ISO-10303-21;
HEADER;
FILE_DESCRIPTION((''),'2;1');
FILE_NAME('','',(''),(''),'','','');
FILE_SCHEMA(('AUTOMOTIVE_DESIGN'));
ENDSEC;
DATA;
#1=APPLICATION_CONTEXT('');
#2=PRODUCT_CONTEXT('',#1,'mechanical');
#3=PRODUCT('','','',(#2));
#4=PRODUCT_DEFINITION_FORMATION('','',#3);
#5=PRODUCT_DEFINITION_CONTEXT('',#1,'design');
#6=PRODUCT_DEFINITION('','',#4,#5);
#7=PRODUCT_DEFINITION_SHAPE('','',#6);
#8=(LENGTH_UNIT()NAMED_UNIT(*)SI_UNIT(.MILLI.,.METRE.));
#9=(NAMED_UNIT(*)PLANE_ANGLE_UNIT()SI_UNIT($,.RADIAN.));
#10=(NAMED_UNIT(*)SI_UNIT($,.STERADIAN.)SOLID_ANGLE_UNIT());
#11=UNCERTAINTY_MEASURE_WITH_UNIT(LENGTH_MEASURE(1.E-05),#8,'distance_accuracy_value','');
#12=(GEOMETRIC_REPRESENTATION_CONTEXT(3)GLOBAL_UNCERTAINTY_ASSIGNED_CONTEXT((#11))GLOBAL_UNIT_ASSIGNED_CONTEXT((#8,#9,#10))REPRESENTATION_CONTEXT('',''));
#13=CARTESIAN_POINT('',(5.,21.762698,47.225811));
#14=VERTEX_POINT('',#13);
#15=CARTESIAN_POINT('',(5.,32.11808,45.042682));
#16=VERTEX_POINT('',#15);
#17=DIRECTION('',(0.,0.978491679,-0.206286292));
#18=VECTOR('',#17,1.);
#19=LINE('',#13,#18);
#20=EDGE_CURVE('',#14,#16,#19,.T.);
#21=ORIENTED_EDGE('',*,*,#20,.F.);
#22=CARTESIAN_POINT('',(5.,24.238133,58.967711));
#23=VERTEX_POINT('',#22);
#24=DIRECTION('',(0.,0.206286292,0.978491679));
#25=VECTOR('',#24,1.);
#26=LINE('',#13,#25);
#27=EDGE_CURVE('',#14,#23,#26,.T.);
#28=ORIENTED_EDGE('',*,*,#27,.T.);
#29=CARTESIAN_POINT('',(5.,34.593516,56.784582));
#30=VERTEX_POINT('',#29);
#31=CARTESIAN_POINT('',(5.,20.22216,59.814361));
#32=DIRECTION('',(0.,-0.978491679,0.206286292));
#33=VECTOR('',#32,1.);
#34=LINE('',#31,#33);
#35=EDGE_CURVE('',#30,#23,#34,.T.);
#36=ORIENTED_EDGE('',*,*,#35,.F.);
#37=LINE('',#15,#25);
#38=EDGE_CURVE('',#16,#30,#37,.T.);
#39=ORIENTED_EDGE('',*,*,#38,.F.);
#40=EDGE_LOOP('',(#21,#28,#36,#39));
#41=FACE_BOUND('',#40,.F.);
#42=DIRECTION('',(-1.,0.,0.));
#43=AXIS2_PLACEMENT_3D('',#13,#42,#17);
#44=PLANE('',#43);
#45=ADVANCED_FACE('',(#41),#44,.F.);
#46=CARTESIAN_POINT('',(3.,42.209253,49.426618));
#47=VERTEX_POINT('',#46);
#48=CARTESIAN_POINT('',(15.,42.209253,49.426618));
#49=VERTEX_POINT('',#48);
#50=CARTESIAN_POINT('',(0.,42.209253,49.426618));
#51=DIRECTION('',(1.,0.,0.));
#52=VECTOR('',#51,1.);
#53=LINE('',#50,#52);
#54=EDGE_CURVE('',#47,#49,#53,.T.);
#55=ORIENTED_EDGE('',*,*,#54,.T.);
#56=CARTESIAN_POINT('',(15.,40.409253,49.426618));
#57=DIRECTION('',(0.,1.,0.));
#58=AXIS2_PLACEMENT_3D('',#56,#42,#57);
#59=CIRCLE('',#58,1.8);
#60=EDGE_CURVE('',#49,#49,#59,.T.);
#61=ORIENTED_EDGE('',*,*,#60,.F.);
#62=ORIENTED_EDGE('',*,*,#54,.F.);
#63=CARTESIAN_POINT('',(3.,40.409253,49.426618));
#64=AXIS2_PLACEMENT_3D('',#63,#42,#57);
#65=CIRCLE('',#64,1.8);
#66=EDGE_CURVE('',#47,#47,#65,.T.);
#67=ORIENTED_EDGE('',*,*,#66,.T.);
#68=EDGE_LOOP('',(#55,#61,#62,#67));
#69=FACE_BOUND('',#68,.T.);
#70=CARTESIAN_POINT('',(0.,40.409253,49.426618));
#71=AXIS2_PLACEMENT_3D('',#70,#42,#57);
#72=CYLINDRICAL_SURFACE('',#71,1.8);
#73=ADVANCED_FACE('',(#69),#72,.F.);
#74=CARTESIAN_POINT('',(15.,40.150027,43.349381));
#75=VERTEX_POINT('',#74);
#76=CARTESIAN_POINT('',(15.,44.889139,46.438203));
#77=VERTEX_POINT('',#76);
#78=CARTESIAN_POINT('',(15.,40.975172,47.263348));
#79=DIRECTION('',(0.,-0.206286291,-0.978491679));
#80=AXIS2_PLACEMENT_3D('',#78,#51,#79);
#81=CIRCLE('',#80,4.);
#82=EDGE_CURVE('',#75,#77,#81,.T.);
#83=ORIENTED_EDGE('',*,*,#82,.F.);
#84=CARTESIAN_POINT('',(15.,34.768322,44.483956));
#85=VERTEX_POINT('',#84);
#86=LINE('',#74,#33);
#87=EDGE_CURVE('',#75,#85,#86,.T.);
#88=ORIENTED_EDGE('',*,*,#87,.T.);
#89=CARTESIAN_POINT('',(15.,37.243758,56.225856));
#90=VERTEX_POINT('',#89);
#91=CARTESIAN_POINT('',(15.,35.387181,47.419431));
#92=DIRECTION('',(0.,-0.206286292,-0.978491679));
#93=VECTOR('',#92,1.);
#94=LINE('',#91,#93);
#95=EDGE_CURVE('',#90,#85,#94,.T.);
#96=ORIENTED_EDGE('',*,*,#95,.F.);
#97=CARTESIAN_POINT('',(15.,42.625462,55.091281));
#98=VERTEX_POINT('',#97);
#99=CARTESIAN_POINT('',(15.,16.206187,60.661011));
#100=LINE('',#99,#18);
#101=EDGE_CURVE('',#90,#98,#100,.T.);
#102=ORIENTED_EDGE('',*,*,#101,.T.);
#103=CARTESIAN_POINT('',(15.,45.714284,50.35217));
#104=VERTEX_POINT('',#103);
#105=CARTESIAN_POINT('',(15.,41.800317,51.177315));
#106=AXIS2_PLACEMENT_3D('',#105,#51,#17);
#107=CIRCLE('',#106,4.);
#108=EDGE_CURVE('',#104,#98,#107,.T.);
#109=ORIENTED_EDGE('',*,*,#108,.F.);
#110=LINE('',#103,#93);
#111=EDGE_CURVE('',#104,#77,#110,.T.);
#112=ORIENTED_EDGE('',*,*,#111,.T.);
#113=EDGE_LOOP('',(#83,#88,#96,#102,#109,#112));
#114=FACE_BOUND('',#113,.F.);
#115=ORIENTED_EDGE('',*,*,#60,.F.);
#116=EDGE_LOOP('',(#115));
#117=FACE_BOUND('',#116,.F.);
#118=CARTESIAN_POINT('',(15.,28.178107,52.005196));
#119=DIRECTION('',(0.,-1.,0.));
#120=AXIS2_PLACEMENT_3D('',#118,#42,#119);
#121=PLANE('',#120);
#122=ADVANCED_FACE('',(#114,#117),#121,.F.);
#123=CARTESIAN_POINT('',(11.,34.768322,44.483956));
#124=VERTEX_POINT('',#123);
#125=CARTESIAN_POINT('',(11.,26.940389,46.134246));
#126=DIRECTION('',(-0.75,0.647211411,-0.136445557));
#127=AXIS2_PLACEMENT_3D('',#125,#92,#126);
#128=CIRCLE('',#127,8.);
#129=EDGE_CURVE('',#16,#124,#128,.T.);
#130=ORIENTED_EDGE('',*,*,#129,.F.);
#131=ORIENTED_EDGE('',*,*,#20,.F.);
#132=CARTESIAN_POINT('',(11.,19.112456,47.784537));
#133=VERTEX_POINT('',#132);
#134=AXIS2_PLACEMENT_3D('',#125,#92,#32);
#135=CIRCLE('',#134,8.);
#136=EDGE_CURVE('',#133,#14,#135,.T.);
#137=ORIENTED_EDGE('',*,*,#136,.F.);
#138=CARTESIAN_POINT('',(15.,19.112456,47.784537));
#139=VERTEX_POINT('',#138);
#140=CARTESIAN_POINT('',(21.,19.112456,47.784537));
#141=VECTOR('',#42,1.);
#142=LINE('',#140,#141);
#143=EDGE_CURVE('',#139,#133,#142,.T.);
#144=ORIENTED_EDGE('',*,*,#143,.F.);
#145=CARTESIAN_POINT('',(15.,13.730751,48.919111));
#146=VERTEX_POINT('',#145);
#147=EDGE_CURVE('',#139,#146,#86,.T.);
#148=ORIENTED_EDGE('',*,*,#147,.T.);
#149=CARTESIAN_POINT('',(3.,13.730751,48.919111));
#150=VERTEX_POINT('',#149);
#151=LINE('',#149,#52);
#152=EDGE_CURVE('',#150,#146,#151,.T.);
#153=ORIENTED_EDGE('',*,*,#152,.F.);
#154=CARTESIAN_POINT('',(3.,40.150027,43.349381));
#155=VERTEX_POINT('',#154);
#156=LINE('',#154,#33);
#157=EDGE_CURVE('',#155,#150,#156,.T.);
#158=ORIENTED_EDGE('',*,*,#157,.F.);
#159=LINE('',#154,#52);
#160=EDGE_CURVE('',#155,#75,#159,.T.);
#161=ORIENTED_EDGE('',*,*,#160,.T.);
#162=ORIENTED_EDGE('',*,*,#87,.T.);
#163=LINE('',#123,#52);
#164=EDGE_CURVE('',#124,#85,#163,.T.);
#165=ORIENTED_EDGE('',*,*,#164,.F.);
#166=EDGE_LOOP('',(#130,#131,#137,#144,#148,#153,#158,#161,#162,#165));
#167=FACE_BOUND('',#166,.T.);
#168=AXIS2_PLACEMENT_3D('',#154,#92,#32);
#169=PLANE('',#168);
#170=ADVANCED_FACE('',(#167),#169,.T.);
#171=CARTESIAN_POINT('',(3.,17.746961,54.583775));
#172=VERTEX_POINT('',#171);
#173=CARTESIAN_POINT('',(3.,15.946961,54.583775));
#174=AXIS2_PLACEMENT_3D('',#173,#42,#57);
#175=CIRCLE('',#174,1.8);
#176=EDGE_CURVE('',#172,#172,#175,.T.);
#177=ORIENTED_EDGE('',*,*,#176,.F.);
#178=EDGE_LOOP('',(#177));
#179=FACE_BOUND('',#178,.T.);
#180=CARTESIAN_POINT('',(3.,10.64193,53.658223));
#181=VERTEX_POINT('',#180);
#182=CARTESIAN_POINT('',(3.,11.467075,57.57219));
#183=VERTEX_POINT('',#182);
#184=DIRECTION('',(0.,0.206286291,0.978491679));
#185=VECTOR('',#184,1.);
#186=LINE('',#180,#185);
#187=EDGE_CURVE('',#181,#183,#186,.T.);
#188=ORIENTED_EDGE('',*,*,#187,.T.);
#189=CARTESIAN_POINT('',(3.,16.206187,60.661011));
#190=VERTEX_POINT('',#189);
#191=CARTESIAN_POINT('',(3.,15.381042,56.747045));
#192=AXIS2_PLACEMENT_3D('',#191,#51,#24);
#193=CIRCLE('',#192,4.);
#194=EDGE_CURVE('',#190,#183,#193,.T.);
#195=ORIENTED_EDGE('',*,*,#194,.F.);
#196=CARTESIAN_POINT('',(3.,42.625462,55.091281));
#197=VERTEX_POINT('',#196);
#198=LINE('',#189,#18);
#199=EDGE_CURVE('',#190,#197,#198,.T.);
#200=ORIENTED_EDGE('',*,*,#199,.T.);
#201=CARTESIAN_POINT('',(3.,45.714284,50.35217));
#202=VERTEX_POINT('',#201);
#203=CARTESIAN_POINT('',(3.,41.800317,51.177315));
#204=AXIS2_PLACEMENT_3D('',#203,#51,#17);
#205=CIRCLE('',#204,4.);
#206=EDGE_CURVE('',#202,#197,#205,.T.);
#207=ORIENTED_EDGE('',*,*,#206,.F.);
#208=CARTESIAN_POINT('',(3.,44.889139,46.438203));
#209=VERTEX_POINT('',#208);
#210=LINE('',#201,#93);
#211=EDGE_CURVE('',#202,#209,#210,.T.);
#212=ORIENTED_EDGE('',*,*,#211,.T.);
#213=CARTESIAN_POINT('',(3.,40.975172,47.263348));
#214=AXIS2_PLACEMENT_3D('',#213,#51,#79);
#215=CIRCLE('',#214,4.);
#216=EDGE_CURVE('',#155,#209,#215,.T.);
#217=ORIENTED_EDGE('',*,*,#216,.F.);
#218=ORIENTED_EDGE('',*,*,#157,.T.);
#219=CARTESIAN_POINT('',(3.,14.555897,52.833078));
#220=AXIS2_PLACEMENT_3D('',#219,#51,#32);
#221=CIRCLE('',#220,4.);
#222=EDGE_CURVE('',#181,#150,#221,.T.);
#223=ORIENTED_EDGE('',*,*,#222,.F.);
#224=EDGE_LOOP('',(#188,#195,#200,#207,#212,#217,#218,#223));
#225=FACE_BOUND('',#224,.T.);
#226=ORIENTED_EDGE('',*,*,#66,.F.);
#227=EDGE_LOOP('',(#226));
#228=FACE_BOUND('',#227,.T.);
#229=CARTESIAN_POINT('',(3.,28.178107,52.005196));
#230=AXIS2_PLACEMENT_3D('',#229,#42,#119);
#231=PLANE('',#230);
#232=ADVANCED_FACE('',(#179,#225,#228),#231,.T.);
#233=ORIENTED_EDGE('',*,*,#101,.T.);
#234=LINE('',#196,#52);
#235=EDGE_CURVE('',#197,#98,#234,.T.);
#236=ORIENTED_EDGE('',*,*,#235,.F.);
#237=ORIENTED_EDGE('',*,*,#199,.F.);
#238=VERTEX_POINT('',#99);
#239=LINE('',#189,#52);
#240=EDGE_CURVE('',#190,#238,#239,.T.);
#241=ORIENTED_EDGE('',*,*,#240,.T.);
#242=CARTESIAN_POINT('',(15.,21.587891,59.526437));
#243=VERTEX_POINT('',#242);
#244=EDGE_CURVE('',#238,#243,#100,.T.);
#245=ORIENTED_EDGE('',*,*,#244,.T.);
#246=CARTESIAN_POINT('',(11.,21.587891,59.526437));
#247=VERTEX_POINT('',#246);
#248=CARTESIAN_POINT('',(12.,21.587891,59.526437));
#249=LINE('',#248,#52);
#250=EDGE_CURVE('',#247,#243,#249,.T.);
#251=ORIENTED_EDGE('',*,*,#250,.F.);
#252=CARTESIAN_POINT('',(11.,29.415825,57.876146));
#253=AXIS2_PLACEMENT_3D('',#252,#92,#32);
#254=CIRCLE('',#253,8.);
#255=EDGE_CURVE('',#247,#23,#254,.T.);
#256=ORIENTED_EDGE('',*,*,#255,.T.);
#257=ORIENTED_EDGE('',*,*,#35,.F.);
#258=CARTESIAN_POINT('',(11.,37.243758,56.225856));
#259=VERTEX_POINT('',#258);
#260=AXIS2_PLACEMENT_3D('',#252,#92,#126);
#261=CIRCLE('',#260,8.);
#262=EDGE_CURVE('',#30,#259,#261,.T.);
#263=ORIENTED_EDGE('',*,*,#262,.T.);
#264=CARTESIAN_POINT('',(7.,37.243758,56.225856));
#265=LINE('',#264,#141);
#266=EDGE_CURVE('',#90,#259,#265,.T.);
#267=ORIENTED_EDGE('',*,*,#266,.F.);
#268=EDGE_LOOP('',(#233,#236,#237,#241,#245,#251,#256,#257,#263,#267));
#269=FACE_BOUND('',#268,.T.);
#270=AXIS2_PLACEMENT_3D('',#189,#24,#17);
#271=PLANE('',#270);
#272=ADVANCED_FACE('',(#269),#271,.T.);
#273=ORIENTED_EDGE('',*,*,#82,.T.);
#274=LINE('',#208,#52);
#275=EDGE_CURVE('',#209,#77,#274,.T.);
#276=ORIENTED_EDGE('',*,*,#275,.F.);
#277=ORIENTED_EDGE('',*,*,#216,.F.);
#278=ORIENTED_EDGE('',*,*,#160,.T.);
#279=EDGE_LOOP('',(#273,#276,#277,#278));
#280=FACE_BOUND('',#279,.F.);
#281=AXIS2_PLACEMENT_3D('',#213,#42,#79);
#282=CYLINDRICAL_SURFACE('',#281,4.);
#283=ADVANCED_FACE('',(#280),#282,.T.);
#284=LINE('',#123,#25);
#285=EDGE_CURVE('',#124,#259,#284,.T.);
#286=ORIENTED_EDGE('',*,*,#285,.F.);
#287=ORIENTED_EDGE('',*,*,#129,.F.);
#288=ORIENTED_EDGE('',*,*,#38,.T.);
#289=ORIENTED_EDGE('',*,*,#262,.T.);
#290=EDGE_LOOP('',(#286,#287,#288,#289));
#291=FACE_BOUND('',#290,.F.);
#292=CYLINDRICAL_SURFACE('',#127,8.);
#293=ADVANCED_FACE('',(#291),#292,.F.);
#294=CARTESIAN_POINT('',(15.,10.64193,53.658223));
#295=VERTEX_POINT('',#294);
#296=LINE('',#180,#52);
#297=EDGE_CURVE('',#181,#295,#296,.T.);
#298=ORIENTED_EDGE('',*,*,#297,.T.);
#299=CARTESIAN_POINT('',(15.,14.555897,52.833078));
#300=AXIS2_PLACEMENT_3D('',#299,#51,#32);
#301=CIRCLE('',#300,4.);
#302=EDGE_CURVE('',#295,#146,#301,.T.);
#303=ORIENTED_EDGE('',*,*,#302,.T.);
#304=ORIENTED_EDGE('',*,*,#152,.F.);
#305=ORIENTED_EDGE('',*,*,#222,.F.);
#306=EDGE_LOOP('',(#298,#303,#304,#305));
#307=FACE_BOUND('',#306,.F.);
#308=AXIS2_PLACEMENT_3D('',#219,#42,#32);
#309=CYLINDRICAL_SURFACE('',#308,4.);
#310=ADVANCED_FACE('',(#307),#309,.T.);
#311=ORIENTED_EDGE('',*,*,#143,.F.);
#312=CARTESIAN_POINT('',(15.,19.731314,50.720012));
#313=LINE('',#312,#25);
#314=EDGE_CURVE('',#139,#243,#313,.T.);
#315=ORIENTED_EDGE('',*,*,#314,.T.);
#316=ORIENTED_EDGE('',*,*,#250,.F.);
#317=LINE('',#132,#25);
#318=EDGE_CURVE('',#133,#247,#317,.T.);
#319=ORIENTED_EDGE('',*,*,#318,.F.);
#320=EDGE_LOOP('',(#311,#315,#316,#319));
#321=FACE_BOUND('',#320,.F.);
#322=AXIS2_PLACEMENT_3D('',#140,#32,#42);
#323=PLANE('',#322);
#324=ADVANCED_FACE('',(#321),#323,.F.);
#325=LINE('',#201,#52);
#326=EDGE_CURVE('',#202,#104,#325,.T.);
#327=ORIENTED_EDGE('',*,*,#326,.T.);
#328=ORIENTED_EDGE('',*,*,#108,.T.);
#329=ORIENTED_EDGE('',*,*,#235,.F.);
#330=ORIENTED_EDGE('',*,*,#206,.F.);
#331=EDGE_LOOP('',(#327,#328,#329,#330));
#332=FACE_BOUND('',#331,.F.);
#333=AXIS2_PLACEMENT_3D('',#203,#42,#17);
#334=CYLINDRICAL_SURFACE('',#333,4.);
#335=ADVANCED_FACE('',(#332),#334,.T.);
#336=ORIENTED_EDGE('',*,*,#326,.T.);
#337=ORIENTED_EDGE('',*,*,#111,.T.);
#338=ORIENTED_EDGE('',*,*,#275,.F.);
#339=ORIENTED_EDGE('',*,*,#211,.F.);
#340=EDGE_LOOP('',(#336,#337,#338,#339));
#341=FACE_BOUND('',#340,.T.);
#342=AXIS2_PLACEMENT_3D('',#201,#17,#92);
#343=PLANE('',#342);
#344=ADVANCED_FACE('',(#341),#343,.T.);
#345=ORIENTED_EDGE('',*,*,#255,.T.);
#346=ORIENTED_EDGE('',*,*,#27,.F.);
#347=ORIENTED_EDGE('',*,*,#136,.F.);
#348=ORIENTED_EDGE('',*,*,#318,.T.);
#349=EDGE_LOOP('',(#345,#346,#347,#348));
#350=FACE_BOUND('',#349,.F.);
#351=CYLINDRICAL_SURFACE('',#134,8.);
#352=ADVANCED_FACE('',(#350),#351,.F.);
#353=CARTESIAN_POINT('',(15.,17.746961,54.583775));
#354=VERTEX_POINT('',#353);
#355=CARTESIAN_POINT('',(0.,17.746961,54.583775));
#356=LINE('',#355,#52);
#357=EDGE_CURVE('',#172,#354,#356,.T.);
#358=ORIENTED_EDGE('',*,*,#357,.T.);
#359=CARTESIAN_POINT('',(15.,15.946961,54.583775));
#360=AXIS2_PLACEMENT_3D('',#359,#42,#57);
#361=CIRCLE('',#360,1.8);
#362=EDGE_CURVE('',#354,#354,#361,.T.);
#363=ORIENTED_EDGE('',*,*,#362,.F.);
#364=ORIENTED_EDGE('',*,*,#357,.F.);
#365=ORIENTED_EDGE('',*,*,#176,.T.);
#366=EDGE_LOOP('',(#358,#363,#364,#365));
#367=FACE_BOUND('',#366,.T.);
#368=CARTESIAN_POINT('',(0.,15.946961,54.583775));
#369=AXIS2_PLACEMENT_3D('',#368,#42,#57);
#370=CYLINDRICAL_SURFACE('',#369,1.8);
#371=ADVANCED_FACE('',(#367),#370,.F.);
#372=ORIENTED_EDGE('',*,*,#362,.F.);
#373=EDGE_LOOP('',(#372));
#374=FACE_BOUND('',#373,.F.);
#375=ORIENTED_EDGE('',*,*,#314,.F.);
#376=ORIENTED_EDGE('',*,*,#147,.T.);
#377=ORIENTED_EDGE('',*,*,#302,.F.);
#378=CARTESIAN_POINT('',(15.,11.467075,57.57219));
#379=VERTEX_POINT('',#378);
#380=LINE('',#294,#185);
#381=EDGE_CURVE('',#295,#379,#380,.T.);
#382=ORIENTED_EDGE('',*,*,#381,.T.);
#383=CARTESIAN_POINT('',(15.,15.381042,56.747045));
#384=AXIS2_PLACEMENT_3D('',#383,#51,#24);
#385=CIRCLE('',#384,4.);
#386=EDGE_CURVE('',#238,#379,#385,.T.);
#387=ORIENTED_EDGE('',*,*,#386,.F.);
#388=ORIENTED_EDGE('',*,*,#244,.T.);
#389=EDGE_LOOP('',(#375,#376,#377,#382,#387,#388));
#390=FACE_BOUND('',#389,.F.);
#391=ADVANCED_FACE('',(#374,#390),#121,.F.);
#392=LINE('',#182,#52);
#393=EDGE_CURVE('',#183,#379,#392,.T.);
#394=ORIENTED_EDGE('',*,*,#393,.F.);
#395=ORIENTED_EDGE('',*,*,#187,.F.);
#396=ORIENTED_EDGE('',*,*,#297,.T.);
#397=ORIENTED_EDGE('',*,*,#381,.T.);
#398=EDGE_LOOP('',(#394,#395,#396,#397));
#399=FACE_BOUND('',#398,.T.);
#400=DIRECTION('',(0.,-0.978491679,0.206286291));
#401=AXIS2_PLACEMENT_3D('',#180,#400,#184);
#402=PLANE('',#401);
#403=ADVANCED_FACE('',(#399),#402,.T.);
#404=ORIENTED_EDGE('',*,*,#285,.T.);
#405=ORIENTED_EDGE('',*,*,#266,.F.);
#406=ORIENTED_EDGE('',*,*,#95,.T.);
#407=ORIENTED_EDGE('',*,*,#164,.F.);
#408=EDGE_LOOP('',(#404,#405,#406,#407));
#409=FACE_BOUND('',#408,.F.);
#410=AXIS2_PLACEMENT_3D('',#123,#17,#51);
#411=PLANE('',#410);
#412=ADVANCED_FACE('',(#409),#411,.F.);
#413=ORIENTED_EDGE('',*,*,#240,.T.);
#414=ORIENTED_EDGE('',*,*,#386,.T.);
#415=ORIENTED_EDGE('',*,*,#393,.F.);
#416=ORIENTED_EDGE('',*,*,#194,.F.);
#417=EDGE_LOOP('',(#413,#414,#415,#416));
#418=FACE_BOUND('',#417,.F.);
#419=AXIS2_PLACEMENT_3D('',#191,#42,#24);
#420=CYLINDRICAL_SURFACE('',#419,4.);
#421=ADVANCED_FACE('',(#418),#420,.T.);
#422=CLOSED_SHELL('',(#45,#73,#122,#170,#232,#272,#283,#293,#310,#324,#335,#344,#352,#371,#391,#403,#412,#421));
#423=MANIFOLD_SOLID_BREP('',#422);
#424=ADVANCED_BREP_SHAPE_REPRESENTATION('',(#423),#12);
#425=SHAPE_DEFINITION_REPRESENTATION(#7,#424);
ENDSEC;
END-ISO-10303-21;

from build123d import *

# Parameters (mm, degrees)
PAD007_DEPTH    = 12
SKETCH017_R     = 1.8
HOLE004_DEPTH   = 15.001
POCKET003_DEPTH = 18.1900462152


with BuildPart() as part:
    # Sketch016 → Pad007 (new body)
    with BuildSketch(Plane.YZ.offset(3)):
        with BuildLine():
            Line((40.1500266983, 43.3493812581), (13.7307513645, 48.919111129))
            ThreePointArc((10.6419298144, 53.6582230111), (11.2048383818, 50.6489511812), (13.7307513645, 48.919111129))
            Line((10.6419298144, 53.6582230111), (11.4670749804, 57.5721897273))
            ThreePointArc((16.2061868626, 60.6610112773), (13.1969150326, 60.0981027099), (11.4670749804, 57.5721897273))
            Line((16.2061868626, 60.6610112773), (42.6254621965, 55.0912814065))
            ThreePointArc((45.7142837465, 50.3521695243), (45.1513751791, 53.3614413543), (42.6254621965, 55.0912814065))
            Line((45.7142837465, 50.3521695243), (44.8891385805, 46.4382028082))
            ThreePointArc((40.1500266983, 43.3493812581), (43.1592985283, 43.9122898256), (44.8891385805, 46.4382028082))
        make_face()
    extrude(amount=PAD007_DEPTH)

    # Sketch017 → Hole004 (cut, through all)
    with BuildSketch(Plane.YZ):
        with Locations((15.9469607926, 54.5837749116)):
            Circle(SKETCH017_R)
        with Locations((40.4092527683, 49.4266176238)):
            Circle(SKETCH017_R)
    extrude(amount=HOLE004_DEPTH, mode=Mode.SUBTRACT)

    # Sketch018 (on ShapeBinder) → Pocket003 (cut, through all)
    with BuildSketch(Plane(origin=(0, 10.4585930571, 49.6089498031), x_dir=(0, 0.978491679, -0.2062862915), z_dir=(0, -0.2062862915, -0.978491679))):
        with BuildLine():
            Line((8.8440839381, 21), (8.8440839381, 11))
            ThreePointArc((8.8440839381, 11), (9.5525813159, 7.7084973779), (11.5525813159, 5))
            Line((11.5525813159, 5), (22.1355865602, 5))
            ThreePointArc((22.1355865602, 5), (24.1355865602, 7.7084973779), (24.8440839381, 11))
            Line((24.8440839381, 11), (24.8440839381, 21))
            Line((24.8440839381, 21), (8.8440839381, 21))
        make_face()
    extrude(amount=-POCKET003_DEPTH, mode=Mode.SUBTRACT)


solid = part.part
